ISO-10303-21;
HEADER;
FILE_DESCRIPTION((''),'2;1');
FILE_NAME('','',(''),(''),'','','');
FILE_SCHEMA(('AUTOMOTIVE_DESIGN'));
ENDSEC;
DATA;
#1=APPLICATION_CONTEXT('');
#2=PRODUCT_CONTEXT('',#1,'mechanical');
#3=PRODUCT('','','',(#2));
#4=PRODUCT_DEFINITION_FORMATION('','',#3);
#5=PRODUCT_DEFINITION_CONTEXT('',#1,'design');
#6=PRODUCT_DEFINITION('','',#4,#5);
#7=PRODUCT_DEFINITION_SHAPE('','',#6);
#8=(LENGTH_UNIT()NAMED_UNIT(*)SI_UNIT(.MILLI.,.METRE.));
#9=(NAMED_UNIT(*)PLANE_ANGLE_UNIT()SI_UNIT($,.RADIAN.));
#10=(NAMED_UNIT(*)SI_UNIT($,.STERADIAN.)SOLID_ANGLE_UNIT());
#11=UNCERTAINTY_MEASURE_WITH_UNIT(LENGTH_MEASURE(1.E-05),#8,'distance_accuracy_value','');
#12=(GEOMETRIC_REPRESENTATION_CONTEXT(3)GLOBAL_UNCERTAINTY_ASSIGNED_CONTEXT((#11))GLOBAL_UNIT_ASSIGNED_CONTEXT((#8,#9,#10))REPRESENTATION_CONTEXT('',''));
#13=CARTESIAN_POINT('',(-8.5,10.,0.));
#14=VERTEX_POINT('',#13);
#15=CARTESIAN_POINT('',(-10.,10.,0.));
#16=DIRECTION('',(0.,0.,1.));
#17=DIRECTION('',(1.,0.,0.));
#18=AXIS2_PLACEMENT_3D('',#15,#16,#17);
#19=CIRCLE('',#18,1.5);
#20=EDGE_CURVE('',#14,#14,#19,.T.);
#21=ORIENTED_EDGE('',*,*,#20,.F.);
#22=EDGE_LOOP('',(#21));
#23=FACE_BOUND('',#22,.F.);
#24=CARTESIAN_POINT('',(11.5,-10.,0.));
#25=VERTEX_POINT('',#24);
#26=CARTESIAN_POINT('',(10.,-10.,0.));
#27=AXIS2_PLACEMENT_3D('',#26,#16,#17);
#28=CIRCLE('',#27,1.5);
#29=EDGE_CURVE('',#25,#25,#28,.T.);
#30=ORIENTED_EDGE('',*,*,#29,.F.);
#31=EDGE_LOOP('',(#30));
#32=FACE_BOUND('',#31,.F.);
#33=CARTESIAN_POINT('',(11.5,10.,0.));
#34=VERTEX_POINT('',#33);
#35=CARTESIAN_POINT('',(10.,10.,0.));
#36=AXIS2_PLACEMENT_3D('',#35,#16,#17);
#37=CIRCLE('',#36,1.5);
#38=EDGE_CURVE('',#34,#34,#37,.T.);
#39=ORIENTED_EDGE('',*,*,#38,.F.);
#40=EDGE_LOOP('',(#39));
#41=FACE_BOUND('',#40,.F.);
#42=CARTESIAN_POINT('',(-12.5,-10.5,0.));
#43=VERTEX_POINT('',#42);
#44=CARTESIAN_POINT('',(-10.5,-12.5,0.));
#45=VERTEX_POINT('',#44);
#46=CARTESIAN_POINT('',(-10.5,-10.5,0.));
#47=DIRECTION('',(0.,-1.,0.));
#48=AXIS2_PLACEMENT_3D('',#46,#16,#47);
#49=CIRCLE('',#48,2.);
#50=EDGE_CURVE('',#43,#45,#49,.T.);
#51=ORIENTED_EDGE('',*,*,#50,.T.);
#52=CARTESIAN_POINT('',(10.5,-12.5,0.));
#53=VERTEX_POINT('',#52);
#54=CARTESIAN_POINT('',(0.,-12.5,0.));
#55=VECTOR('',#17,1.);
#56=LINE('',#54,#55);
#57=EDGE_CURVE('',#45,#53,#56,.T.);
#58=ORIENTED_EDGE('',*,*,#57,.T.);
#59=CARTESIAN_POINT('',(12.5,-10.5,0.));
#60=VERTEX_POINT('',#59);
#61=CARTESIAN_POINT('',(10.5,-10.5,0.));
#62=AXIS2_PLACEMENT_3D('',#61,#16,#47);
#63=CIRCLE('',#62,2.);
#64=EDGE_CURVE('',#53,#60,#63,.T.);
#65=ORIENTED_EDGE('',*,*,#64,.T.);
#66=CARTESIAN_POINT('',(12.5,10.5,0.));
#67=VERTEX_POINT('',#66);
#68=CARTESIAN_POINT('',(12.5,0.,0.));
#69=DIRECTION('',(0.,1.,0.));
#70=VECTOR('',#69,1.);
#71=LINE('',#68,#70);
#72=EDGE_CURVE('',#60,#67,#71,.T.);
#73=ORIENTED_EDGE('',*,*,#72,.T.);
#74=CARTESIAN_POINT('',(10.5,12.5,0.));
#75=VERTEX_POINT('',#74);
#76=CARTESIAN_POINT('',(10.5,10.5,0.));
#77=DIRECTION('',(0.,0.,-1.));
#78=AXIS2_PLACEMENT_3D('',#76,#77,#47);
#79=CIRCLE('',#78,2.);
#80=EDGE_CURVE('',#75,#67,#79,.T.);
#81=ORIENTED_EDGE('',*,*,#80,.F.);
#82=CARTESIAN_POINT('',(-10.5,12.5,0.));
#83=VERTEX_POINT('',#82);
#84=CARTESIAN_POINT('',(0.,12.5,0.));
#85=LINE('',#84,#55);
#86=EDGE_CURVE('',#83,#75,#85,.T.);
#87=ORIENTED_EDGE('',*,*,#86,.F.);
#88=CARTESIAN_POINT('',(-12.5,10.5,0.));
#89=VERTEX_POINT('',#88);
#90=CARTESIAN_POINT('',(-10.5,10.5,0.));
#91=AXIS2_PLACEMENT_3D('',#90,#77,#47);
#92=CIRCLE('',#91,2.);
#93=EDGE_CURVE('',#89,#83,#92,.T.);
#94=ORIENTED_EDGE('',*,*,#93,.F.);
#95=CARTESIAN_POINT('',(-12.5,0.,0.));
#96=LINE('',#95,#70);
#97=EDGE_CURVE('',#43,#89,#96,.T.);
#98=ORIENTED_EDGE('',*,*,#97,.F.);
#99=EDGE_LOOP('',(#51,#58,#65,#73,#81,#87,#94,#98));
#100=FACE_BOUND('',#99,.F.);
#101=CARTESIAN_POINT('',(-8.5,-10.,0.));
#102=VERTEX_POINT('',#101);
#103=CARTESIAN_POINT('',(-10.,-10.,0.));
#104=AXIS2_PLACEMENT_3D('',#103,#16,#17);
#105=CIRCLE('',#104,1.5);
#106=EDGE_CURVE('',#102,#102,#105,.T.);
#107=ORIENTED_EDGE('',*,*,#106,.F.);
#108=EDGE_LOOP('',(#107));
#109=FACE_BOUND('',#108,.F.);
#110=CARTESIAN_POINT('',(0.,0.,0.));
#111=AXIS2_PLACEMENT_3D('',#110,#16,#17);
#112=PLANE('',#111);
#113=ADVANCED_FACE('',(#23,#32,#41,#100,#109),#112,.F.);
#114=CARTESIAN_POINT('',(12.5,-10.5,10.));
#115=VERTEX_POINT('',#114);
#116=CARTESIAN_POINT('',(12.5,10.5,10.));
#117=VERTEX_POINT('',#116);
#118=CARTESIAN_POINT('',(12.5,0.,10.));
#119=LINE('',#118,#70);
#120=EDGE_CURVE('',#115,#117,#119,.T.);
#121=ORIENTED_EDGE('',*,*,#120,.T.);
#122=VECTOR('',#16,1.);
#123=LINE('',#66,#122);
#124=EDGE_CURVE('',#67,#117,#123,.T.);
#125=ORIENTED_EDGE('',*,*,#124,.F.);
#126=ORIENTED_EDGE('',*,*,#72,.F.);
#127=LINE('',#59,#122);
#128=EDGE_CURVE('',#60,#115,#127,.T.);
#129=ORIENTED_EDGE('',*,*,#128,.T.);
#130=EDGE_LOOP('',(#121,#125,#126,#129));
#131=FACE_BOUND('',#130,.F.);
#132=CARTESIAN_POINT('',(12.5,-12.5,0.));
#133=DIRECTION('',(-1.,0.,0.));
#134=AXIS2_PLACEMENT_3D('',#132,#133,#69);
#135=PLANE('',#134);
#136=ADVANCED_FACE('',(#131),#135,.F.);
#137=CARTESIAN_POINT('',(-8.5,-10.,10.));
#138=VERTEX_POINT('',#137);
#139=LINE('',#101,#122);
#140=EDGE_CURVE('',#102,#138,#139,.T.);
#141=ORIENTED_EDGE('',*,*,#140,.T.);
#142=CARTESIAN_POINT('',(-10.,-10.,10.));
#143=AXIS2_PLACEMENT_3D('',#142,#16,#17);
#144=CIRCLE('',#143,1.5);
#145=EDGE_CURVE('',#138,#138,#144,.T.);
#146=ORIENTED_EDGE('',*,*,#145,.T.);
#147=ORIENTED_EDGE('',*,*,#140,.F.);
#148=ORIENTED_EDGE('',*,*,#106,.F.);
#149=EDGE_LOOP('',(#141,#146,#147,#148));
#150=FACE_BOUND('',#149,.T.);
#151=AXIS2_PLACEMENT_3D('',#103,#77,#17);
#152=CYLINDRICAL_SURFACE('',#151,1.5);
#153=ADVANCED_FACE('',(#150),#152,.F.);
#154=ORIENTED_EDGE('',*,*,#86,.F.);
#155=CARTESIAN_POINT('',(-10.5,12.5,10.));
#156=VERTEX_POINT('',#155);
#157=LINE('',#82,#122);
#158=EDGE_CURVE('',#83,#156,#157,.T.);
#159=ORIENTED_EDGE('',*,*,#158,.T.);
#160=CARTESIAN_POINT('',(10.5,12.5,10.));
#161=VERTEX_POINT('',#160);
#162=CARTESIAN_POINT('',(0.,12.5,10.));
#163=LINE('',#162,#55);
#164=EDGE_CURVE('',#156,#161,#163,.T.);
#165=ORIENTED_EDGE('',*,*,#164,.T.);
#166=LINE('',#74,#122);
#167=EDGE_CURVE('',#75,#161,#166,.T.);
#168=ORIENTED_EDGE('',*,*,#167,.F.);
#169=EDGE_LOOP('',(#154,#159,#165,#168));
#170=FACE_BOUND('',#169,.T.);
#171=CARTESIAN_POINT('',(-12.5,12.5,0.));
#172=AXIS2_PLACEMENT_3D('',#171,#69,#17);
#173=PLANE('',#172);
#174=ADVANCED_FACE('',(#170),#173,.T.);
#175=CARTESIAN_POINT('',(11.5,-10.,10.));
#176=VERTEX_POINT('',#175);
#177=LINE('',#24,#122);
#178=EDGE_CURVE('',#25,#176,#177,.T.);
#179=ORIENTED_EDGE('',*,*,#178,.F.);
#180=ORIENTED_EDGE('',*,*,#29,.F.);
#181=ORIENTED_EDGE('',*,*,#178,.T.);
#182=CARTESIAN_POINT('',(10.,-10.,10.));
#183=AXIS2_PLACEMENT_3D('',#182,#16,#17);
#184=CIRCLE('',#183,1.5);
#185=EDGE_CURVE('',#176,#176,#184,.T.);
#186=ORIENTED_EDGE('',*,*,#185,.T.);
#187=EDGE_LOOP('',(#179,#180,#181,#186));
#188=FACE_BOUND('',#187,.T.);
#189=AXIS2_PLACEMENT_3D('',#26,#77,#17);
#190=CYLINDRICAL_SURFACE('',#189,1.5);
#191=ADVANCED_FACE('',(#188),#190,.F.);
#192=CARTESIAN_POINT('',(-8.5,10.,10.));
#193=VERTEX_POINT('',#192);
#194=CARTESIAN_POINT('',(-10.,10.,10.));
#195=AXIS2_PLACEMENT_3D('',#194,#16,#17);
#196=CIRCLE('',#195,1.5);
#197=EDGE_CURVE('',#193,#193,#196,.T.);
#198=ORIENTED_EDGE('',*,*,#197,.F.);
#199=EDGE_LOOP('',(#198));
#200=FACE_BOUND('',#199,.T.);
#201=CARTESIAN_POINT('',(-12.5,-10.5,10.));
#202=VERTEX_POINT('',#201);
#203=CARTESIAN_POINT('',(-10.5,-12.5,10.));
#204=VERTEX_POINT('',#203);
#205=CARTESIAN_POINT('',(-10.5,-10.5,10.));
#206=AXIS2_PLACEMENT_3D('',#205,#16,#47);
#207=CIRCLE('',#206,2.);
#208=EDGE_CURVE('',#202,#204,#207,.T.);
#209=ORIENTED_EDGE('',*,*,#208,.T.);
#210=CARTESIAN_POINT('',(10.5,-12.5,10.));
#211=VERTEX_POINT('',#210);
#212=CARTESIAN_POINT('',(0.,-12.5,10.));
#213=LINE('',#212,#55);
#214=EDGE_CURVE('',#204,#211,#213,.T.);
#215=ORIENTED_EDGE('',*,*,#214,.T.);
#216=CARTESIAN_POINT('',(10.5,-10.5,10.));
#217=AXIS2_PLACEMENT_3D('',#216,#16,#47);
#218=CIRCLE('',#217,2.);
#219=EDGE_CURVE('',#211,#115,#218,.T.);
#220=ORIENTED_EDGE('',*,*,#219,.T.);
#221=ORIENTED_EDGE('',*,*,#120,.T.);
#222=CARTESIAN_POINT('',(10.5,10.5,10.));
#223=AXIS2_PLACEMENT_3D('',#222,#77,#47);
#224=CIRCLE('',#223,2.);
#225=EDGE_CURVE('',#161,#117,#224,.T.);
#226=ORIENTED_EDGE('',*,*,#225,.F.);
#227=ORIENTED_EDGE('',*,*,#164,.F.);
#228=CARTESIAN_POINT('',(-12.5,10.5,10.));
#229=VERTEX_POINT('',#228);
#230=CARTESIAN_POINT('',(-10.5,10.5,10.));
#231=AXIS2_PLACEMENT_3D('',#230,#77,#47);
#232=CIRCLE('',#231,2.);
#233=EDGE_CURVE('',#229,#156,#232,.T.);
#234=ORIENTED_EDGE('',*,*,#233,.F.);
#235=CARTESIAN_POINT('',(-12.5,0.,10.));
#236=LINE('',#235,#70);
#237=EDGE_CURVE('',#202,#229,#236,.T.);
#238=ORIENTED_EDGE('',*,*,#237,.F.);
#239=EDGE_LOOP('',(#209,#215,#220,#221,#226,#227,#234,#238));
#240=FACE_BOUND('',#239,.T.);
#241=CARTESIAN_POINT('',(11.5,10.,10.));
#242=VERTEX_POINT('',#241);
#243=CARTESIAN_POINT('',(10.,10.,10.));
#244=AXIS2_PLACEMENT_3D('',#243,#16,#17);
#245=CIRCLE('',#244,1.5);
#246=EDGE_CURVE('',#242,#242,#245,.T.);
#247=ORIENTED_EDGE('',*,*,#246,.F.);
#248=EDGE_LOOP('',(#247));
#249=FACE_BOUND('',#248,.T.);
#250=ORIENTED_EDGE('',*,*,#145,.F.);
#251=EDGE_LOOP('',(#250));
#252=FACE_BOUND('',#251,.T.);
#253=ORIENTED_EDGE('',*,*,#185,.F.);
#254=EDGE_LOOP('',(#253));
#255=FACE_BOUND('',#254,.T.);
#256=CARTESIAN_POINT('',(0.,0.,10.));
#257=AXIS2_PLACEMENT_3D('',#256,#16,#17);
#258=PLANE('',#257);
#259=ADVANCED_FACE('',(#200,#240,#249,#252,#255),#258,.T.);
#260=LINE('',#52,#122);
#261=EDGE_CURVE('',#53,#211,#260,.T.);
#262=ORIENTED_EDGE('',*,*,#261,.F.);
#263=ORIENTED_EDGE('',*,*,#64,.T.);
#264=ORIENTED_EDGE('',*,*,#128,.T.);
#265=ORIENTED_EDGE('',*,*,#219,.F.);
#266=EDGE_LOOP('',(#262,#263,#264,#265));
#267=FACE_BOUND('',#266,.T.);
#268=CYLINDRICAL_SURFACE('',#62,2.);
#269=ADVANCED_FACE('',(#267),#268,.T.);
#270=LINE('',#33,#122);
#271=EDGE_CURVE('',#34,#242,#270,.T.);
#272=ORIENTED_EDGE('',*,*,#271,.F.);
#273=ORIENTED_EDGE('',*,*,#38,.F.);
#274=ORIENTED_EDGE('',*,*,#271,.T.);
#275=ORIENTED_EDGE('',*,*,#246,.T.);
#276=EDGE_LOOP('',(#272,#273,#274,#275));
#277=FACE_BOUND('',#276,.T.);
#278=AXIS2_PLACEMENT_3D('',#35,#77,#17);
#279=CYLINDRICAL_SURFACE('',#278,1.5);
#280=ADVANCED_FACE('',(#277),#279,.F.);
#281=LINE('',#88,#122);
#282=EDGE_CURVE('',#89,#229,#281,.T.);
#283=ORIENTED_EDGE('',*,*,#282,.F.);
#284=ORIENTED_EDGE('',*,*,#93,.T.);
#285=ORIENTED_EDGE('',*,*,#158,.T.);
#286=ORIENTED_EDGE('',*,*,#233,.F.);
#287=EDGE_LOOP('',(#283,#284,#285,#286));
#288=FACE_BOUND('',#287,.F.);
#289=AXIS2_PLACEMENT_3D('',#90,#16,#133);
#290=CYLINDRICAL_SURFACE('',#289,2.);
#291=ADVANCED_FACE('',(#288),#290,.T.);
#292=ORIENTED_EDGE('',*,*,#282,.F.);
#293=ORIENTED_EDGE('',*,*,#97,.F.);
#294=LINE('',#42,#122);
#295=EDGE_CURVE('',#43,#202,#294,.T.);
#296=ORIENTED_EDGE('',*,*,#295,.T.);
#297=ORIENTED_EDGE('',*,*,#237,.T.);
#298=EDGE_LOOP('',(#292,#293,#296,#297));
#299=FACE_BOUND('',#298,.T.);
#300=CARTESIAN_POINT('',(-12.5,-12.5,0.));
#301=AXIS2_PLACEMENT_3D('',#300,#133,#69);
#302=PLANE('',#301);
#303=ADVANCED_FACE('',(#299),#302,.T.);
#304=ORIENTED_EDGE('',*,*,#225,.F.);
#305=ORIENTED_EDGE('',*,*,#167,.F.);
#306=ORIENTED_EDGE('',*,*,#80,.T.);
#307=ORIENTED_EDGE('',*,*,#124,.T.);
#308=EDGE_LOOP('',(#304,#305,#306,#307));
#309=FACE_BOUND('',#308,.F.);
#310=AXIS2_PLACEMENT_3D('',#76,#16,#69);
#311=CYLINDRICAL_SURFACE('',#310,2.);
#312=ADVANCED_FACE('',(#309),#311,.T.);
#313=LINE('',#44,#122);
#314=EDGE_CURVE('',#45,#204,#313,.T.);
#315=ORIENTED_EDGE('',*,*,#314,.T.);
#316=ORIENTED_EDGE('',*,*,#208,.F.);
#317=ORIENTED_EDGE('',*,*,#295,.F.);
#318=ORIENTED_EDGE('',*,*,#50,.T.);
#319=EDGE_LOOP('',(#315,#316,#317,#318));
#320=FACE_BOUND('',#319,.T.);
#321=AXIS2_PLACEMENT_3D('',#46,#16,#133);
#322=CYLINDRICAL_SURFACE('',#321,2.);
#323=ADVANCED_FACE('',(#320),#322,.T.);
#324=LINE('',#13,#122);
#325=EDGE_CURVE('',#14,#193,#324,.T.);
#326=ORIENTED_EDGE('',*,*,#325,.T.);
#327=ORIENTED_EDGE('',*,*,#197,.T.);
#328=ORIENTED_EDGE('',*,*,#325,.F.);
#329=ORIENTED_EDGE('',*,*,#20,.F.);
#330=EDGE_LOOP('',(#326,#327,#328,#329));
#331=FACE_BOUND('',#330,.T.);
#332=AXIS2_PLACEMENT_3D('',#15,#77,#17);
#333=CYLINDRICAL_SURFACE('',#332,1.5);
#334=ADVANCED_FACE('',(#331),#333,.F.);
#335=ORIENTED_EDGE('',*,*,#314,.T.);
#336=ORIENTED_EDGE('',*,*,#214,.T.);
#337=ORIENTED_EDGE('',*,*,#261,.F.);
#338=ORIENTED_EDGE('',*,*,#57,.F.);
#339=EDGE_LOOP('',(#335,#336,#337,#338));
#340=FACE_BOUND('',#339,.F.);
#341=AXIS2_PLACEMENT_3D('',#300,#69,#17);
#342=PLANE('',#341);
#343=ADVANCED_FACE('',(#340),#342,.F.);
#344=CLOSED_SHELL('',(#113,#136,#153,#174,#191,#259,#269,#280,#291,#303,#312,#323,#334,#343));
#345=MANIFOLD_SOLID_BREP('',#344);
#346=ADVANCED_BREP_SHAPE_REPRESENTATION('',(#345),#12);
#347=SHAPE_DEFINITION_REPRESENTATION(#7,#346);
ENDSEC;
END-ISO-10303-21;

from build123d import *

# Parameters (mm, degrees)
F0_W     = 25
F0_H     = 25
F0_R     = 1.5
F1_DEPTH = 10
F2_R     = 2


with BuildPart() as f1:
    # F0 (on Top) → F1 (new body)
    with BuildSketch(Plane.XY):
        Rectangle(F0_W, F0_H)
        with Locations((-10, -10)):
            Circle(F0_R, mode=Mode.SUBTRACT)
        with Locations((10, -10)):
            Circle(F0_R, mode=Mode.SUBTRACT)
        with Locations((-10, 10)):
            Circle(F0_R, mode=Mode.SUBTRACT)
        with Locations((10, 10)):
            Circle(F0_R, mode=Mode.SUBTRACT)
    extrude(amount=F1_DEPTH)

    # F2
    f2_edges = [f1.edges().sort_by_distance(p)[0] for p in [
        (-12.5, -12.5, 5),
        (12.5, -12.5, 5),
        (12.5, 12.5, 5),
        (-12.5, 12.5, 5),
    ]]
    fillet(f2_edges, radius=F2_R)


solid = f1.part
